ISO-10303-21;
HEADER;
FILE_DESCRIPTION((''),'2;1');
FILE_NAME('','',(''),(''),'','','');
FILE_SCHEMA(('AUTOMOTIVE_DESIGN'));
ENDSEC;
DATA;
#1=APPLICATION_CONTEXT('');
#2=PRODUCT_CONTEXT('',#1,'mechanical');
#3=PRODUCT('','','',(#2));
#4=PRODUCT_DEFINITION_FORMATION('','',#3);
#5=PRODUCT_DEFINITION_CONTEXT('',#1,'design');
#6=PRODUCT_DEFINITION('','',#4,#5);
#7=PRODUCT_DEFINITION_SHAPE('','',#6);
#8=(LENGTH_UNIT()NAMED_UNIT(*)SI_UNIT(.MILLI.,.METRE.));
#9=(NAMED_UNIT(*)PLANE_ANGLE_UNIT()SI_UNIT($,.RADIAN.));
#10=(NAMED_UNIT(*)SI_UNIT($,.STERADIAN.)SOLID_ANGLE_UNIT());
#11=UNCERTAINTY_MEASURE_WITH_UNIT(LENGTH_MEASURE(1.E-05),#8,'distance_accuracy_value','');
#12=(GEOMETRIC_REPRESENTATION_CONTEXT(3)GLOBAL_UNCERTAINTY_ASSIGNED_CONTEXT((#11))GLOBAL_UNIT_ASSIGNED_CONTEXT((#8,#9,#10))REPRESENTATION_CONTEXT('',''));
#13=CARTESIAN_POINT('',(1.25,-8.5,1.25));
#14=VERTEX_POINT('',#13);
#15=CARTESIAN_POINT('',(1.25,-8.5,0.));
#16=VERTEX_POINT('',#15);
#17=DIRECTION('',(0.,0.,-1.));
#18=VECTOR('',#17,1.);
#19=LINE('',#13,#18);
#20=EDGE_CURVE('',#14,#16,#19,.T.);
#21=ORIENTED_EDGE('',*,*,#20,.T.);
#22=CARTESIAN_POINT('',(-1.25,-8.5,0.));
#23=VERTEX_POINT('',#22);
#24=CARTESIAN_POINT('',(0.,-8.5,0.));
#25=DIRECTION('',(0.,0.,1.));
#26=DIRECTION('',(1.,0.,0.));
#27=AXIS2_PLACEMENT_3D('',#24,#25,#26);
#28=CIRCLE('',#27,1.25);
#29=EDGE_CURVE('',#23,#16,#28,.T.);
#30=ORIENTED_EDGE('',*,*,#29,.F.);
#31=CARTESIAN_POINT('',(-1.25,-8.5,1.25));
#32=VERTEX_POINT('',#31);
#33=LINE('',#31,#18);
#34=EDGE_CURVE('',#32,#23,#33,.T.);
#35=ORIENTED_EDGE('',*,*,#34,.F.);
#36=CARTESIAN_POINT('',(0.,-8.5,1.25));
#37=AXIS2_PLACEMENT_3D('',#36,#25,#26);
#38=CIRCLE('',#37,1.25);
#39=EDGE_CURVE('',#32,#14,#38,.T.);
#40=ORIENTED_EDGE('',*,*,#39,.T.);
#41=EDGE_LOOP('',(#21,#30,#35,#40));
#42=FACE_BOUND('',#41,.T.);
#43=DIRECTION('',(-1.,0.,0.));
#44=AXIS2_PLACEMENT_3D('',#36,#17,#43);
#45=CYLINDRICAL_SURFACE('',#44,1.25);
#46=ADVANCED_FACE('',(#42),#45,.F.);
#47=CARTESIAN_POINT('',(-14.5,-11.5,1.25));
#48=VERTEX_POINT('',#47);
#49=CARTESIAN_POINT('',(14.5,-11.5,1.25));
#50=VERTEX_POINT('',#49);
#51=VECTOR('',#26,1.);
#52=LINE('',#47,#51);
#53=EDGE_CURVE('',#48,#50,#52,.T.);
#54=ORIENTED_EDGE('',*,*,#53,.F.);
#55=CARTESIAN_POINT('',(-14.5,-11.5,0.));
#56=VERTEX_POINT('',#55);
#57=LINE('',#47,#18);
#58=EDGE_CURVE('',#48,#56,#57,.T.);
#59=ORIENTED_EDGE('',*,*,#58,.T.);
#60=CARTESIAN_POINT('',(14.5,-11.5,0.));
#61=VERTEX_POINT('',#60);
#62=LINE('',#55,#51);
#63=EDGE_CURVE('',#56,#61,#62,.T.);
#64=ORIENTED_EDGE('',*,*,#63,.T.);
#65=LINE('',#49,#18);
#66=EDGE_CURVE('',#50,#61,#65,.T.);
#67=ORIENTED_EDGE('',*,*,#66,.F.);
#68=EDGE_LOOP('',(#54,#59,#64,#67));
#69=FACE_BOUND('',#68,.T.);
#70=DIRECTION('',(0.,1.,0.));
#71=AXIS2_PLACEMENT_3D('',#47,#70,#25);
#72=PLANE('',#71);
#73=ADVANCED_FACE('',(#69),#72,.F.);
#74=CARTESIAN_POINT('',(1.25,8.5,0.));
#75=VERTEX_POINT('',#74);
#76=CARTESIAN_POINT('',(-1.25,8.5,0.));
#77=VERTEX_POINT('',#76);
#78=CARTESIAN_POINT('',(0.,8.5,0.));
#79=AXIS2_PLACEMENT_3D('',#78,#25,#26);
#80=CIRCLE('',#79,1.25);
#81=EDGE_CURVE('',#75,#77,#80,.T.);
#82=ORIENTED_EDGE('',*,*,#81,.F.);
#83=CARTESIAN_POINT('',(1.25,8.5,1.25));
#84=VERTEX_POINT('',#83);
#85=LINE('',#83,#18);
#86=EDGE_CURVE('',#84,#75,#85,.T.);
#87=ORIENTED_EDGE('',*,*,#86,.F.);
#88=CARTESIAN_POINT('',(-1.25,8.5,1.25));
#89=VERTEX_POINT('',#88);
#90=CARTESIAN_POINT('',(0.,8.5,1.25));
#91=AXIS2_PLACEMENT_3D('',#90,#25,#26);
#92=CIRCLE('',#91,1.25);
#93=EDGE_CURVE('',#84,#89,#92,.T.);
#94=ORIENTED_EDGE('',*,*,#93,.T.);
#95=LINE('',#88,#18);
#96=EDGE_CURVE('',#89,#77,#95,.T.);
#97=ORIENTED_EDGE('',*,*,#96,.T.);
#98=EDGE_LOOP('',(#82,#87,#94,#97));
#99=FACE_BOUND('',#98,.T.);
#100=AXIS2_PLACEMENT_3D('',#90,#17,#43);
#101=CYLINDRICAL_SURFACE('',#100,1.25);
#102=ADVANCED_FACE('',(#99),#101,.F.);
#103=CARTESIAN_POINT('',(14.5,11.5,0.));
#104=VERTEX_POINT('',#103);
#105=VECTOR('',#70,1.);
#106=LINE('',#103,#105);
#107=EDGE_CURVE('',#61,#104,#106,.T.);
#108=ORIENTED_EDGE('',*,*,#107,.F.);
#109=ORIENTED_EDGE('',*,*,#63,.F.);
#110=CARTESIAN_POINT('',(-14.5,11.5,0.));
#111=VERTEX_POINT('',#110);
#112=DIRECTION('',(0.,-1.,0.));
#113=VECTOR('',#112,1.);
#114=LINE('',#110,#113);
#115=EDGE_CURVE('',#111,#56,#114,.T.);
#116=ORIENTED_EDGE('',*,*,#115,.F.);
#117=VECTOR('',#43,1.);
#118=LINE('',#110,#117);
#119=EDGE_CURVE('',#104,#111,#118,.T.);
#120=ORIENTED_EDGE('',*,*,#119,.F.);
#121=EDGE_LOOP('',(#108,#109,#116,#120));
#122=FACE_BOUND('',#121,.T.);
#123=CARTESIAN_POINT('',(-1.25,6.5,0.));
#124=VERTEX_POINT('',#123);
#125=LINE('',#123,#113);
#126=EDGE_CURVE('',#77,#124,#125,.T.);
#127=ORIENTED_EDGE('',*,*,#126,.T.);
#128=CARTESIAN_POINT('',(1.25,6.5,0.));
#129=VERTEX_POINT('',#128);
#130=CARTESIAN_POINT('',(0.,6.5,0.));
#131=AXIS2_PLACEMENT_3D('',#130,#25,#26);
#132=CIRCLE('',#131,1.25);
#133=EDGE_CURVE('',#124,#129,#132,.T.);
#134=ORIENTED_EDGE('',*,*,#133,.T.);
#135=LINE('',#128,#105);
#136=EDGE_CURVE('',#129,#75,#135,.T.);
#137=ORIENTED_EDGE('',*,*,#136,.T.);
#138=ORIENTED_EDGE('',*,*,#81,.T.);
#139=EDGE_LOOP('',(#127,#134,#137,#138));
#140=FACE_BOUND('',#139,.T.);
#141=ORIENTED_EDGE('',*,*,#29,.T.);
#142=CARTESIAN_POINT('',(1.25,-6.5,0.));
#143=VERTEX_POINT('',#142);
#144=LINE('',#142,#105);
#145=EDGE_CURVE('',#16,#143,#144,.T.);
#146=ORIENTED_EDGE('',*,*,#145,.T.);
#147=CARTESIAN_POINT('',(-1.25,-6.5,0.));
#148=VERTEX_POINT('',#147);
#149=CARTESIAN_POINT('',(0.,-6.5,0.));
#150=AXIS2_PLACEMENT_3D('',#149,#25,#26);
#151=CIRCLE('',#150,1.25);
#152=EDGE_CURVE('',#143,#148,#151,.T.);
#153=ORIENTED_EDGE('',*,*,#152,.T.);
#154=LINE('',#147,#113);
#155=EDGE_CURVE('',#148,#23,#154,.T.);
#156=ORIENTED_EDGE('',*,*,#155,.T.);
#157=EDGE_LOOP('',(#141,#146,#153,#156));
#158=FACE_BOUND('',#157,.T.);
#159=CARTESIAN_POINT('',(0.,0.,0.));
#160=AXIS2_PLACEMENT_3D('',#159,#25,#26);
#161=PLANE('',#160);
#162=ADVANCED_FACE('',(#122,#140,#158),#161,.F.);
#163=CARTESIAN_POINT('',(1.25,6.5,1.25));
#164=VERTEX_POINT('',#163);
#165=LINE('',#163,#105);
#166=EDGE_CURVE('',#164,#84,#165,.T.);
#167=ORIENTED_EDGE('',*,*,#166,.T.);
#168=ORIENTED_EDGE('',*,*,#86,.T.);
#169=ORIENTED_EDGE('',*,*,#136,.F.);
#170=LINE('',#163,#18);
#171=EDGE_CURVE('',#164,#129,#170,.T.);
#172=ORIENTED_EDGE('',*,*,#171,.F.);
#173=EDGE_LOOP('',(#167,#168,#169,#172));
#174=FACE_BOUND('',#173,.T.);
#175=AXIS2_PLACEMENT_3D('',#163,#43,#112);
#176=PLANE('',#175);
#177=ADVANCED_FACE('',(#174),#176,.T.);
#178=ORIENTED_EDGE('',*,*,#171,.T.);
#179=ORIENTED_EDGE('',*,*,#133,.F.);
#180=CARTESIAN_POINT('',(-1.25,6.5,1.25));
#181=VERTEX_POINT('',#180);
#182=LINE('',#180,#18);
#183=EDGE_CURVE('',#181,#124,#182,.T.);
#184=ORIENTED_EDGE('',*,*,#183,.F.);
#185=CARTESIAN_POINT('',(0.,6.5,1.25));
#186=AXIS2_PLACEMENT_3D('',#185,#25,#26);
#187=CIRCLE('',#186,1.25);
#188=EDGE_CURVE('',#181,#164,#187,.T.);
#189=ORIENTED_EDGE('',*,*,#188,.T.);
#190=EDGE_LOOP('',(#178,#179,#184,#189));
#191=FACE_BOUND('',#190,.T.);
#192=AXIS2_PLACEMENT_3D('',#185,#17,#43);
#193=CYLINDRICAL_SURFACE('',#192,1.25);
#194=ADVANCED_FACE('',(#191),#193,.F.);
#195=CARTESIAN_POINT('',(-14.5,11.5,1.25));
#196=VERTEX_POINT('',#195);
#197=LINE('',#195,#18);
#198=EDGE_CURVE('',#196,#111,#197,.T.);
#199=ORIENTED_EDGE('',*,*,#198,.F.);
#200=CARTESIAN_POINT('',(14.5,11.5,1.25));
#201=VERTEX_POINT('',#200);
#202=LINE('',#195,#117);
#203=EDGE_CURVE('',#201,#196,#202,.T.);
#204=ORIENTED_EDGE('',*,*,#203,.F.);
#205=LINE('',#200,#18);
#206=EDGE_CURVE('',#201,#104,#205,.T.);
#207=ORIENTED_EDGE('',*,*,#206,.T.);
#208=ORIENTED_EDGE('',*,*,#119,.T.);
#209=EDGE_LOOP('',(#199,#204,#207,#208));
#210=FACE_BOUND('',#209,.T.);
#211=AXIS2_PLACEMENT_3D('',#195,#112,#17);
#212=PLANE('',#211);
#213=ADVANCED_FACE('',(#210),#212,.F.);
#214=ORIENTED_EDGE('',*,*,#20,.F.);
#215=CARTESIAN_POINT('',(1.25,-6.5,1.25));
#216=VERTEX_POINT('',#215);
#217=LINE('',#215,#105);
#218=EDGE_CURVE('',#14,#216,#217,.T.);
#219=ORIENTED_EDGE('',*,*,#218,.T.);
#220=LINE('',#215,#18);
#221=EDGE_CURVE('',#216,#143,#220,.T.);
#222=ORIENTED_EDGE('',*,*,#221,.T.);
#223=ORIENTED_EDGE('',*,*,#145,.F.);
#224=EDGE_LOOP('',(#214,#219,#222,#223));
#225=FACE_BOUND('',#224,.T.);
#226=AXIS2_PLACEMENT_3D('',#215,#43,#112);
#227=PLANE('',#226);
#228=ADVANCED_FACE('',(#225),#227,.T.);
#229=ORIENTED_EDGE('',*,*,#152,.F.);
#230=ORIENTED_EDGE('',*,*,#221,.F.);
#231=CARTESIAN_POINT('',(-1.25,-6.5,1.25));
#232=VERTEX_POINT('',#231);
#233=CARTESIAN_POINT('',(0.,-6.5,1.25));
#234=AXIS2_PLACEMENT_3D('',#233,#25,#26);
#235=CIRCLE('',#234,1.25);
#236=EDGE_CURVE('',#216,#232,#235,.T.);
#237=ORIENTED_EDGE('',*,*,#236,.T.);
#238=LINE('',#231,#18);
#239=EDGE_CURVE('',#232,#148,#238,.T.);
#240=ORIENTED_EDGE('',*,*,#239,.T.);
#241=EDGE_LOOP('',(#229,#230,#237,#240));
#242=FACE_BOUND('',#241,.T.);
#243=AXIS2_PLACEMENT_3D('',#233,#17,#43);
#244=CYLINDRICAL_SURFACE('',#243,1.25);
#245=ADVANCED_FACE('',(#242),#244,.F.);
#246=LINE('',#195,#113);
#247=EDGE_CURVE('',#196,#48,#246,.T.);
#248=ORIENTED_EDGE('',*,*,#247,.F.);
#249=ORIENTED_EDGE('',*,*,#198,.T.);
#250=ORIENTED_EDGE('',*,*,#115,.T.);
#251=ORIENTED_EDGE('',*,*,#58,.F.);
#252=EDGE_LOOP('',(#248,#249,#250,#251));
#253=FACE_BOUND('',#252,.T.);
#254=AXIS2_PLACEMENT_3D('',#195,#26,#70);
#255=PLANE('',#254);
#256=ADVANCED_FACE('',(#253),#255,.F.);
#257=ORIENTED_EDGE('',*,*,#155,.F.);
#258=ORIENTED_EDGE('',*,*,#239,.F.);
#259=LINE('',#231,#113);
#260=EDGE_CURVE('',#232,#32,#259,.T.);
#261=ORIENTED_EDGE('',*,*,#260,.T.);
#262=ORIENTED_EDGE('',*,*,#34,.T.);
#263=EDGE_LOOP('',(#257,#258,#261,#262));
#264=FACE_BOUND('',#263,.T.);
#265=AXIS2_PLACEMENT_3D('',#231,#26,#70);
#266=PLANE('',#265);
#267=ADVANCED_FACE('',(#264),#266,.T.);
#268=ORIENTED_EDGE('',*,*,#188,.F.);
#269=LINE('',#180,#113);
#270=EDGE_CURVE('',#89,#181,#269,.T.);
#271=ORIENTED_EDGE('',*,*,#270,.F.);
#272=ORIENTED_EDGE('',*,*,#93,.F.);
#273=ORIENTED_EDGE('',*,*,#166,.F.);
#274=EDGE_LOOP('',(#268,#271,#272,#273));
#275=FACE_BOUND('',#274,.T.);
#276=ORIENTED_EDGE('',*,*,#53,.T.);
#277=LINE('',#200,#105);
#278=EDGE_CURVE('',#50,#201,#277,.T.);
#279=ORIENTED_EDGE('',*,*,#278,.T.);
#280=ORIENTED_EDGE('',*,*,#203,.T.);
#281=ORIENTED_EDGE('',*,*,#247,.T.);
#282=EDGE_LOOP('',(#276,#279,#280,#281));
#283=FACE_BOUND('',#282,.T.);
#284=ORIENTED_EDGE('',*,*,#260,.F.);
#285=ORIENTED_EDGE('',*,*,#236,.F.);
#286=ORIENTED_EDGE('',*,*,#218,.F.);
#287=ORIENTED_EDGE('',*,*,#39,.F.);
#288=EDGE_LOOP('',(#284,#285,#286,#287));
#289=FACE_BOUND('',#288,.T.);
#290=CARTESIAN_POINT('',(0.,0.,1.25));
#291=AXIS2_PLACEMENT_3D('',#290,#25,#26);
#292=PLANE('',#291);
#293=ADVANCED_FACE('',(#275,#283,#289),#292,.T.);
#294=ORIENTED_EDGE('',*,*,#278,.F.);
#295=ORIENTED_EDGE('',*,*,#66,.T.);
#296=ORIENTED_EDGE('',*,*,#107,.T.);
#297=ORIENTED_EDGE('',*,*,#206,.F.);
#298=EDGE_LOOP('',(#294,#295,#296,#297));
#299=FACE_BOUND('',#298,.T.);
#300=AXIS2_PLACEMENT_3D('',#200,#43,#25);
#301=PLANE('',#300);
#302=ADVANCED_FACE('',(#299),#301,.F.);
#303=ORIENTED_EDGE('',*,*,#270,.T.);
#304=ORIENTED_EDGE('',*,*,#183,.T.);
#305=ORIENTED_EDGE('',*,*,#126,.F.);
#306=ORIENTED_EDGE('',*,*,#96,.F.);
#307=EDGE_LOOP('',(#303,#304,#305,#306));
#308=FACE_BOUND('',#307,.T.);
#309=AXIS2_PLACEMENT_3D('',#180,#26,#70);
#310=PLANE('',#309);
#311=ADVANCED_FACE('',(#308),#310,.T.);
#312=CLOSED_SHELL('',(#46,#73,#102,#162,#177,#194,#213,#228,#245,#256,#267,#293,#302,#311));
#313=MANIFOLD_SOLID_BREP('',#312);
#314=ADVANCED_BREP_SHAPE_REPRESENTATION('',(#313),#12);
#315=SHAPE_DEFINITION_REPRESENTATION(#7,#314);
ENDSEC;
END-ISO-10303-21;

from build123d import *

# Parameters (mm, degrees)
SKETCH1_W           = 29
SKETCH1_H           = 23
BOSS_EXTRUDE1_DEPTH = 1.25


with BuildPart() as part:
    # Sketch1 → Boss-Extrude1 (new body)
    with BuildSketch(Plane.XY):
        Rectangle(SKETCH1_W, SKETCH1_H)
        with BuildLine():
            Line((-1.25, 6.5), (-1.25, 8.5))
            ThreePointArc((-1.25, 8.5), (0, 9.75), (1.25, 8.5))
            Line((1.25, 8.5), (1.25, 6.5))
            ThreePointArc((1.25, 6.5), (0, 5.25), (-1.25, 6.5))
        make_face(mode=Mode.SUBTRACT)
        with BuildLine():
            Line((1.25, -6.5), (1.25, -8.5))
            ThreePointArc((1.25, -8.5), (0, -9.75), (-1.25, -8.5))
            Line((-1.25, -8.5), (-1.25, -6.5))
            ThreePointArc((-1.25, -6.5), (0, -5.25), (1.25, -6.5))
        make_face(mode=Mode.SUBTRACT)
    extrude(amount=BOSS_EXTRUDE1_DEPTH)


solid = part.part
